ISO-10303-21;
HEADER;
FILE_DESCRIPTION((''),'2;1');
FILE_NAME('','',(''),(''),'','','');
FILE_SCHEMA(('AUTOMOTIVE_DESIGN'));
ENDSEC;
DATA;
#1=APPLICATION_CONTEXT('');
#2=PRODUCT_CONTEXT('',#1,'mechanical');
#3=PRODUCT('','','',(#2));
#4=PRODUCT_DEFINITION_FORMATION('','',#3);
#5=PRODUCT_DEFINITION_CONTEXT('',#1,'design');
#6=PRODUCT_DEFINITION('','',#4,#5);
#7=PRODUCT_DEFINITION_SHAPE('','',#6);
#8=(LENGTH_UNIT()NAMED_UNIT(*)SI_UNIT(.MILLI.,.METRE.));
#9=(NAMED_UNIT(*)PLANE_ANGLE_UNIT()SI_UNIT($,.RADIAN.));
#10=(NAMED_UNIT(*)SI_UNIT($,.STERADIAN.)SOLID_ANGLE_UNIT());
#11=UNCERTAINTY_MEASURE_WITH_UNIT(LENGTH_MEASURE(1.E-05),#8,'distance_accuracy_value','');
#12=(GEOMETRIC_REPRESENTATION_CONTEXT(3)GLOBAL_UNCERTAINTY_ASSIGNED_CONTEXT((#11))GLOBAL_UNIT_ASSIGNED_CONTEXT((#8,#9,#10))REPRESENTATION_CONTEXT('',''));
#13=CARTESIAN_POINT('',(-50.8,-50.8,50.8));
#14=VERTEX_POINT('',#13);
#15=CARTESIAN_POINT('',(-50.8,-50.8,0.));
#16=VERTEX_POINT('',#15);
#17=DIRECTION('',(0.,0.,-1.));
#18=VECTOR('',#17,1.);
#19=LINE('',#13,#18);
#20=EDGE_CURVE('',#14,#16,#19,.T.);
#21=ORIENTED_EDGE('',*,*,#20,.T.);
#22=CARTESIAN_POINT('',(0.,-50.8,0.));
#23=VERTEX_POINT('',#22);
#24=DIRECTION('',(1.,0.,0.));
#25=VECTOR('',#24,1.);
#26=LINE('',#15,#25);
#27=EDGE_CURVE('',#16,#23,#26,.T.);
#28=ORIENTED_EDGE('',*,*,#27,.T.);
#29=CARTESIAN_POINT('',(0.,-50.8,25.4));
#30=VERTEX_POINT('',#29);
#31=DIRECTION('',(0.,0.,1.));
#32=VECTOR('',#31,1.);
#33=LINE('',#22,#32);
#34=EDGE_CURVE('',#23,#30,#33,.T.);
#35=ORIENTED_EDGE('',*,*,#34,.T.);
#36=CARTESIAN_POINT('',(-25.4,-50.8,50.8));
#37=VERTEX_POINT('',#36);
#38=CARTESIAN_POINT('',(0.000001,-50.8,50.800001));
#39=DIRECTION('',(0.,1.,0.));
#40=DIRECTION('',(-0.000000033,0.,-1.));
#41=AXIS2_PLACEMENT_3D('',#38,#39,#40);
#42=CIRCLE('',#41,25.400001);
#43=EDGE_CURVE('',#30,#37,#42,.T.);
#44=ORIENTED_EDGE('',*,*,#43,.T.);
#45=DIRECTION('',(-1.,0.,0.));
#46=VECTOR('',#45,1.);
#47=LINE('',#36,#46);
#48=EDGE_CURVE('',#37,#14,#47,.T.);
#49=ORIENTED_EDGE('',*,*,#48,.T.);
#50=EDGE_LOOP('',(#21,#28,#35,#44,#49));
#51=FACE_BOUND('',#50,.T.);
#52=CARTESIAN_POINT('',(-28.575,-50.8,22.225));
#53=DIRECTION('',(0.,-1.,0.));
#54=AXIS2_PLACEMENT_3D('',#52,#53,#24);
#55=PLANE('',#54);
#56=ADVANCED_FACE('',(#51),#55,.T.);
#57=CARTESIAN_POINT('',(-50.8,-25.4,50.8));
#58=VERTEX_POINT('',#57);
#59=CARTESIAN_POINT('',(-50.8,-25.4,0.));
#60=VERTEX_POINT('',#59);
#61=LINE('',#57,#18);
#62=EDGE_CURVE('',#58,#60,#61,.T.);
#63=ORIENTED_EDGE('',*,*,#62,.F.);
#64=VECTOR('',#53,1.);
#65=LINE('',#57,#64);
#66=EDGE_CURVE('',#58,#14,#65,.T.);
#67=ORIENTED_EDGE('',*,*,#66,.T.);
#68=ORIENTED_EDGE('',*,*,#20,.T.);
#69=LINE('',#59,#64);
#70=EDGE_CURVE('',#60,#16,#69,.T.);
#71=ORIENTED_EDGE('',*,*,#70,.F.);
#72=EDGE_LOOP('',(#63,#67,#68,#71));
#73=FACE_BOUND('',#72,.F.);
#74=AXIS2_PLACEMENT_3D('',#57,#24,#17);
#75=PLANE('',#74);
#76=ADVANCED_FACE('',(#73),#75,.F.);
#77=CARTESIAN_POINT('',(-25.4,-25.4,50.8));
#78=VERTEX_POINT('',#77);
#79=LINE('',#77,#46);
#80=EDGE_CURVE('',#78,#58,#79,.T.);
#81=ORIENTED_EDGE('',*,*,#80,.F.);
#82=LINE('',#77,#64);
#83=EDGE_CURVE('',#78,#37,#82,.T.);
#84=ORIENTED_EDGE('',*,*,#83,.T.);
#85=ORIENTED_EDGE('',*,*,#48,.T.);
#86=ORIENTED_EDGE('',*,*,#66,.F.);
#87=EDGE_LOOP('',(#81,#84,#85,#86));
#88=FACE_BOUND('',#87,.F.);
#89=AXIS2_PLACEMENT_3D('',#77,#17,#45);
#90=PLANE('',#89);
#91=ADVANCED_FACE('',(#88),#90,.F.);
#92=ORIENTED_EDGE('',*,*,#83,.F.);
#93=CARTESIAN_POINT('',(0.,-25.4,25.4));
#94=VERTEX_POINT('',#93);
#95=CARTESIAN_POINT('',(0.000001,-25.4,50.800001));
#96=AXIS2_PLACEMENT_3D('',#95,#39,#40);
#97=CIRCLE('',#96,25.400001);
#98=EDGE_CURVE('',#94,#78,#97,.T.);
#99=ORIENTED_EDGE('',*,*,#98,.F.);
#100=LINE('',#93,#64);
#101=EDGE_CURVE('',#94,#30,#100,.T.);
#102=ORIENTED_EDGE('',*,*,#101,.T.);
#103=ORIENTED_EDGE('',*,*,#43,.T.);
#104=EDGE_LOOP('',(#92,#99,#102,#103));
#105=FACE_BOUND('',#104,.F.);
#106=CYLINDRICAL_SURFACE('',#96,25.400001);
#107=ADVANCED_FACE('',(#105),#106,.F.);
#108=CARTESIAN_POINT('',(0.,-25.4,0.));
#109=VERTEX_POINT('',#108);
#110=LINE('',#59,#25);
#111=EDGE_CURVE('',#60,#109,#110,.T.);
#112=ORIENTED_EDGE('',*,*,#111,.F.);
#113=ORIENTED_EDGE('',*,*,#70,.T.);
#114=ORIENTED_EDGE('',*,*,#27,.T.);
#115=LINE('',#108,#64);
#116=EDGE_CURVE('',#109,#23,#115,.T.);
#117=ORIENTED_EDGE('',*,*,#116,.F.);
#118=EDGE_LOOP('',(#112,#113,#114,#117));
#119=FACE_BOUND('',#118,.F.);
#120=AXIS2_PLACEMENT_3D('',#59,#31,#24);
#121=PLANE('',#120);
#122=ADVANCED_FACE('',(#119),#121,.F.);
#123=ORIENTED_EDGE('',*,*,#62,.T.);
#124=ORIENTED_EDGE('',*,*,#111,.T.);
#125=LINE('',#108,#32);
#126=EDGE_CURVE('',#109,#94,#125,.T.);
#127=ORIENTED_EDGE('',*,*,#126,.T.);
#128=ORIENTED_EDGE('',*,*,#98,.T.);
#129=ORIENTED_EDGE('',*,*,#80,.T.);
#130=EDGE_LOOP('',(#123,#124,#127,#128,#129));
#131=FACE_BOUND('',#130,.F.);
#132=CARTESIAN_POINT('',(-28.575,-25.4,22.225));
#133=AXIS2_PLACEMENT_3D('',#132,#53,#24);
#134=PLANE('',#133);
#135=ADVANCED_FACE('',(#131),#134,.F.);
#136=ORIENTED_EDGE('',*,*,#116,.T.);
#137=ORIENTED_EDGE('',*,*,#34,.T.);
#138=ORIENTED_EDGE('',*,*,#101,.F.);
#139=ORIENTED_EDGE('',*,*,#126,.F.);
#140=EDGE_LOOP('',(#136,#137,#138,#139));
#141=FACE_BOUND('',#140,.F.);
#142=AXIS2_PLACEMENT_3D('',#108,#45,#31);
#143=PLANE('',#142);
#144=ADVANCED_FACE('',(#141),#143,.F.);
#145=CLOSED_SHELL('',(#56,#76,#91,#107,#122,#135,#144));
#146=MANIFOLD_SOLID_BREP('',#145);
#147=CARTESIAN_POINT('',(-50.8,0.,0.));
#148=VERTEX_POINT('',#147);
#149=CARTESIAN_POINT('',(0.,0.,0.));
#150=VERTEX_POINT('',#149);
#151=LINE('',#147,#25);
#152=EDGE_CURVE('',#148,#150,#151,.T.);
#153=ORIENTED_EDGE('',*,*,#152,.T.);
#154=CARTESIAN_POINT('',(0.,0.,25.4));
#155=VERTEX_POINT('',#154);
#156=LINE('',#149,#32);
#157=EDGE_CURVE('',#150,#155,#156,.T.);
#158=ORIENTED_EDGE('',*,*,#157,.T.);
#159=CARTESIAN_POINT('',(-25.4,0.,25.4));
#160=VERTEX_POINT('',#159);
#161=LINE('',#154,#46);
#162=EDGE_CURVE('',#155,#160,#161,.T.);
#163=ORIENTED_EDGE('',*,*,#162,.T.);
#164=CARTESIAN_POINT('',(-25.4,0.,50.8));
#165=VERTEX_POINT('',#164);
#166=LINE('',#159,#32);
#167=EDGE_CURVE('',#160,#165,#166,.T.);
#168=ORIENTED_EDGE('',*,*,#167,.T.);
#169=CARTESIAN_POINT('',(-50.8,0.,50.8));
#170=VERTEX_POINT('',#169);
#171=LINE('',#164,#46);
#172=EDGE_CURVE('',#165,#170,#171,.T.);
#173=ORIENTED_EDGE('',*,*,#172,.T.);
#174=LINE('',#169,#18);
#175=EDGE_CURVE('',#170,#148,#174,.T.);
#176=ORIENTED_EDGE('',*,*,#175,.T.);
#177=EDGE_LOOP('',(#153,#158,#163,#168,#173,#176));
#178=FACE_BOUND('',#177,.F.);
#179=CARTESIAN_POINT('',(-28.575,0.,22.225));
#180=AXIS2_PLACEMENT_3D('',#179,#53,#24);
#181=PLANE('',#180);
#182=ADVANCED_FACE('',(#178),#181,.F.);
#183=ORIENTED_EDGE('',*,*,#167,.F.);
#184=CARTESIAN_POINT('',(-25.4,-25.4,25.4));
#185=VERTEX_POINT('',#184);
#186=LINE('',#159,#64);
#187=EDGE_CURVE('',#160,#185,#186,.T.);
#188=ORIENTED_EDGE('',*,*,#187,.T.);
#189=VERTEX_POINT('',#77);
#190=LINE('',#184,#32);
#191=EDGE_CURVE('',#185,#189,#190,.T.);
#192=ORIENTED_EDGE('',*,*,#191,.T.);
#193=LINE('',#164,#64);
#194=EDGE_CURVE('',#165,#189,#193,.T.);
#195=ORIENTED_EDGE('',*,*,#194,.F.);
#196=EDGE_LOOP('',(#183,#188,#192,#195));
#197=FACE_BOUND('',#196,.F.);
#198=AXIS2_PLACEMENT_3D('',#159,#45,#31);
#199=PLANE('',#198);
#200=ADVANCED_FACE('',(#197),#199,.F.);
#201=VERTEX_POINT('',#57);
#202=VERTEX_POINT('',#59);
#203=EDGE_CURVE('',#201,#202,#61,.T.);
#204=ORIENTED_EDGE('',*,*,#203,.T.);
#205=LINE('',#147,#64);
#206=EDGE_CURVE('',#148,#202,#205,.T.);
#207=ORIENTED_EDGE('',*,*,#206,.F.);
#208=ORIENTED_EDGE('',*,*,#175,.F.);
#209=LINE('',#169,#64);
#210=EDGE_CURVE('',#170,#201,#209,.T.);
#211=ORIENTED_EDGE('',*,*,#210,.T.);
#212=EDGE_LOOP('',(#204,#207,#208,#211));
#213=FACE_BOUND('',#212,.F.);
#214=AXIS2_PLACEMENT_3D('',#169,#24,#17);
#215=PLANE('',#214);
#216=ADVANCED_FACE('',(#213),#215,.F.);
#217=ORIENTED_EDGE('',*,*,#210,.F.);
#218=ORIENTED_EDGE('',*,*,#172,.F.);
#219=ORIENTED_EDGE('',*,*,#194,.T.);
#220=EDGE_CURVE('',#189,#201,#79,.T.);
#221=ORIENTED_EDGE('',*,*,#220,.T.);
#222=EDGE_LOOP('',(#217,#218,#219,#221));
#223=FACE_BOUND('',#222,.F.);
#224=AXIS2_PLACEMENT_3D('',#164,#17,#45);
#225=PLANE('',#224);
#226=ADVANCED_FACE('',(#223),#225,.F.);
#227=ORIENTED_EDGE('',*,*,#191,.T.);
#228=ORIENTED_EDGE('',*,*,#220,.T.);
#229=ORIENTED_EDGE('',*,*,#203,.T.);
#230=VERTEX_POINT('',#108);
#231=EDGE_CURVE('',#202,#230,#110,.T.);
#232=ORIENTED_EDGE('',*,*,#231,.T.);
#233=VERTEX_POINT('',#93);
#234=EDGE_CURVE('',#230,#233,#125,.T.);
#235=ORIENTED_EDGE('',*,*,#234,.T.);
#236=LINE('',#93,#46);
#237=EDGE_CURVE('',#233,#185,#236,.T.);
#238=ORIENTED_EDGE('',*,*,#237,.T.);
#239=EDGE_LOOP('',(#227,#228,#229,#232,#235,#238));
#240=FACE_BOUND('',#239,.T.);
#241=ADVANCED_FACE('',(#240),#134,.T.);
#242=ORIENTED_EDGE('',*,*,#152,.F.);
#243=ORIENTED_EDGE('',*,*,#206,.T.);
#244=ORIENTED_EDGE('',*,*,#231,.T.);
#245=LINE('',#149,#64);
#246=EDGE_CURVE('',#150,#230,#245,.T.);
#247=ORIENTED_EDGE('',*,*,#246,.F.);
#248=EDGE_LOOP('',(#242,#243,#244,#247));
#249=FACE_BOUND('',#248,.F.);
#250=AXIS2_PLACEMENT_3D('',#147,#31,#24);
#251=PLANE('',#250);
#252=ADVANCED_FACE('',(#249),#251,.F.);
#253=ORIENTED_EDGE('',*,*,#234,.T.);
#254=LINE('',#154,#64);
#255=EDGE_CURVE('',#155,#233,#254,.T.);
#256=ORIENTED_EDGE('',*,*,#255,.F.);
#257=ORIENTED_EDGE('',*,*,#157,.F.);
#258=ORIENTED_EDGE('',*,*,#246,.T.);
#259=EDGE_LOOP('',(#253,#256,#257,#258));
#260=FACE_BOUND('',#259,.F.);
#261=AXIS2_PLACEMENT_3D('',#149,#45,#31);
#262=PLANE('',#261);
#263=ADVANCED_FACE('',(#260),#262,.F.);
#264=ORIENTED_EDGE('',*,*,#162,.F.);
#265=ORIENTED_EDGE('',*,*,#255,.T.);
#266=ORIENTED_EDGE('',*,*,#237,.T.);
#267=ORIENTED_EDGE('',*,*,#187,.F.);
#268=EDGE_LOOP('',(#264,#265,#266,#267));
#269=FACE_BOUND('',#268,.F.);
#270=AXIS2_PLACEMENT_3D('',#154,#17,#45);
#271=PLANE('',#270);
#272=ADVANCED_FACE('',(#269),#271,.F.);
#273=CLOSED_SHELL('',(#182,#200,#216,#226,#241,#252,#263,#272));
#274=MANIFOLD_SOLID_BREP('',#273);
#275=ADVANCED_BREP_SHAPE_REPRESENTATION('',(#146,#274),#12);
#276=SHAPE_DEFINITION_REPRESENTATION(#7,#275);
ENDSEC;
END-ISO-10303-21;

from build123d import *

# Parameters (mm, degrees)
F1_DEPTH = 25.4
F3_DEPTH = 25.4


with BuildPart() as f1:
    # F0 (on Front) → F1 (new body)
    with BuildSketch(Plane.XZ):
        Polygon((-50.8, 0), (0, 0), (0, 25.4), (-25.4, 25.4), (-25.4, 50.8), (-50.8, 50.8), align=None)
    extrude(amount=F1_DEPTH)


with BuildPart() as f3:
    # F2 (on face) → F3 (new body)
    with BuildSketch(Plane.XZ.offset(25.4)):
        Polygon((-25.4, 25.4), (-25.4, 50.8), (-50.8, 50.8), (-50.8, 0), (0, 0), (0, 25.4), align=None)
        with BuildLine():
            ThreePointArc((0, 25.4), (-17.960512, 32.839488), (-25.4, 50.8))
            Line((-25.4, 50.8), (-25.4, 25.4))
            Line((-25.4, 25.4), (0, 25.4))
        make_face()
    extrude(amount=F3_DEPTH)


solid = Compound([f1.part, f3.part])
